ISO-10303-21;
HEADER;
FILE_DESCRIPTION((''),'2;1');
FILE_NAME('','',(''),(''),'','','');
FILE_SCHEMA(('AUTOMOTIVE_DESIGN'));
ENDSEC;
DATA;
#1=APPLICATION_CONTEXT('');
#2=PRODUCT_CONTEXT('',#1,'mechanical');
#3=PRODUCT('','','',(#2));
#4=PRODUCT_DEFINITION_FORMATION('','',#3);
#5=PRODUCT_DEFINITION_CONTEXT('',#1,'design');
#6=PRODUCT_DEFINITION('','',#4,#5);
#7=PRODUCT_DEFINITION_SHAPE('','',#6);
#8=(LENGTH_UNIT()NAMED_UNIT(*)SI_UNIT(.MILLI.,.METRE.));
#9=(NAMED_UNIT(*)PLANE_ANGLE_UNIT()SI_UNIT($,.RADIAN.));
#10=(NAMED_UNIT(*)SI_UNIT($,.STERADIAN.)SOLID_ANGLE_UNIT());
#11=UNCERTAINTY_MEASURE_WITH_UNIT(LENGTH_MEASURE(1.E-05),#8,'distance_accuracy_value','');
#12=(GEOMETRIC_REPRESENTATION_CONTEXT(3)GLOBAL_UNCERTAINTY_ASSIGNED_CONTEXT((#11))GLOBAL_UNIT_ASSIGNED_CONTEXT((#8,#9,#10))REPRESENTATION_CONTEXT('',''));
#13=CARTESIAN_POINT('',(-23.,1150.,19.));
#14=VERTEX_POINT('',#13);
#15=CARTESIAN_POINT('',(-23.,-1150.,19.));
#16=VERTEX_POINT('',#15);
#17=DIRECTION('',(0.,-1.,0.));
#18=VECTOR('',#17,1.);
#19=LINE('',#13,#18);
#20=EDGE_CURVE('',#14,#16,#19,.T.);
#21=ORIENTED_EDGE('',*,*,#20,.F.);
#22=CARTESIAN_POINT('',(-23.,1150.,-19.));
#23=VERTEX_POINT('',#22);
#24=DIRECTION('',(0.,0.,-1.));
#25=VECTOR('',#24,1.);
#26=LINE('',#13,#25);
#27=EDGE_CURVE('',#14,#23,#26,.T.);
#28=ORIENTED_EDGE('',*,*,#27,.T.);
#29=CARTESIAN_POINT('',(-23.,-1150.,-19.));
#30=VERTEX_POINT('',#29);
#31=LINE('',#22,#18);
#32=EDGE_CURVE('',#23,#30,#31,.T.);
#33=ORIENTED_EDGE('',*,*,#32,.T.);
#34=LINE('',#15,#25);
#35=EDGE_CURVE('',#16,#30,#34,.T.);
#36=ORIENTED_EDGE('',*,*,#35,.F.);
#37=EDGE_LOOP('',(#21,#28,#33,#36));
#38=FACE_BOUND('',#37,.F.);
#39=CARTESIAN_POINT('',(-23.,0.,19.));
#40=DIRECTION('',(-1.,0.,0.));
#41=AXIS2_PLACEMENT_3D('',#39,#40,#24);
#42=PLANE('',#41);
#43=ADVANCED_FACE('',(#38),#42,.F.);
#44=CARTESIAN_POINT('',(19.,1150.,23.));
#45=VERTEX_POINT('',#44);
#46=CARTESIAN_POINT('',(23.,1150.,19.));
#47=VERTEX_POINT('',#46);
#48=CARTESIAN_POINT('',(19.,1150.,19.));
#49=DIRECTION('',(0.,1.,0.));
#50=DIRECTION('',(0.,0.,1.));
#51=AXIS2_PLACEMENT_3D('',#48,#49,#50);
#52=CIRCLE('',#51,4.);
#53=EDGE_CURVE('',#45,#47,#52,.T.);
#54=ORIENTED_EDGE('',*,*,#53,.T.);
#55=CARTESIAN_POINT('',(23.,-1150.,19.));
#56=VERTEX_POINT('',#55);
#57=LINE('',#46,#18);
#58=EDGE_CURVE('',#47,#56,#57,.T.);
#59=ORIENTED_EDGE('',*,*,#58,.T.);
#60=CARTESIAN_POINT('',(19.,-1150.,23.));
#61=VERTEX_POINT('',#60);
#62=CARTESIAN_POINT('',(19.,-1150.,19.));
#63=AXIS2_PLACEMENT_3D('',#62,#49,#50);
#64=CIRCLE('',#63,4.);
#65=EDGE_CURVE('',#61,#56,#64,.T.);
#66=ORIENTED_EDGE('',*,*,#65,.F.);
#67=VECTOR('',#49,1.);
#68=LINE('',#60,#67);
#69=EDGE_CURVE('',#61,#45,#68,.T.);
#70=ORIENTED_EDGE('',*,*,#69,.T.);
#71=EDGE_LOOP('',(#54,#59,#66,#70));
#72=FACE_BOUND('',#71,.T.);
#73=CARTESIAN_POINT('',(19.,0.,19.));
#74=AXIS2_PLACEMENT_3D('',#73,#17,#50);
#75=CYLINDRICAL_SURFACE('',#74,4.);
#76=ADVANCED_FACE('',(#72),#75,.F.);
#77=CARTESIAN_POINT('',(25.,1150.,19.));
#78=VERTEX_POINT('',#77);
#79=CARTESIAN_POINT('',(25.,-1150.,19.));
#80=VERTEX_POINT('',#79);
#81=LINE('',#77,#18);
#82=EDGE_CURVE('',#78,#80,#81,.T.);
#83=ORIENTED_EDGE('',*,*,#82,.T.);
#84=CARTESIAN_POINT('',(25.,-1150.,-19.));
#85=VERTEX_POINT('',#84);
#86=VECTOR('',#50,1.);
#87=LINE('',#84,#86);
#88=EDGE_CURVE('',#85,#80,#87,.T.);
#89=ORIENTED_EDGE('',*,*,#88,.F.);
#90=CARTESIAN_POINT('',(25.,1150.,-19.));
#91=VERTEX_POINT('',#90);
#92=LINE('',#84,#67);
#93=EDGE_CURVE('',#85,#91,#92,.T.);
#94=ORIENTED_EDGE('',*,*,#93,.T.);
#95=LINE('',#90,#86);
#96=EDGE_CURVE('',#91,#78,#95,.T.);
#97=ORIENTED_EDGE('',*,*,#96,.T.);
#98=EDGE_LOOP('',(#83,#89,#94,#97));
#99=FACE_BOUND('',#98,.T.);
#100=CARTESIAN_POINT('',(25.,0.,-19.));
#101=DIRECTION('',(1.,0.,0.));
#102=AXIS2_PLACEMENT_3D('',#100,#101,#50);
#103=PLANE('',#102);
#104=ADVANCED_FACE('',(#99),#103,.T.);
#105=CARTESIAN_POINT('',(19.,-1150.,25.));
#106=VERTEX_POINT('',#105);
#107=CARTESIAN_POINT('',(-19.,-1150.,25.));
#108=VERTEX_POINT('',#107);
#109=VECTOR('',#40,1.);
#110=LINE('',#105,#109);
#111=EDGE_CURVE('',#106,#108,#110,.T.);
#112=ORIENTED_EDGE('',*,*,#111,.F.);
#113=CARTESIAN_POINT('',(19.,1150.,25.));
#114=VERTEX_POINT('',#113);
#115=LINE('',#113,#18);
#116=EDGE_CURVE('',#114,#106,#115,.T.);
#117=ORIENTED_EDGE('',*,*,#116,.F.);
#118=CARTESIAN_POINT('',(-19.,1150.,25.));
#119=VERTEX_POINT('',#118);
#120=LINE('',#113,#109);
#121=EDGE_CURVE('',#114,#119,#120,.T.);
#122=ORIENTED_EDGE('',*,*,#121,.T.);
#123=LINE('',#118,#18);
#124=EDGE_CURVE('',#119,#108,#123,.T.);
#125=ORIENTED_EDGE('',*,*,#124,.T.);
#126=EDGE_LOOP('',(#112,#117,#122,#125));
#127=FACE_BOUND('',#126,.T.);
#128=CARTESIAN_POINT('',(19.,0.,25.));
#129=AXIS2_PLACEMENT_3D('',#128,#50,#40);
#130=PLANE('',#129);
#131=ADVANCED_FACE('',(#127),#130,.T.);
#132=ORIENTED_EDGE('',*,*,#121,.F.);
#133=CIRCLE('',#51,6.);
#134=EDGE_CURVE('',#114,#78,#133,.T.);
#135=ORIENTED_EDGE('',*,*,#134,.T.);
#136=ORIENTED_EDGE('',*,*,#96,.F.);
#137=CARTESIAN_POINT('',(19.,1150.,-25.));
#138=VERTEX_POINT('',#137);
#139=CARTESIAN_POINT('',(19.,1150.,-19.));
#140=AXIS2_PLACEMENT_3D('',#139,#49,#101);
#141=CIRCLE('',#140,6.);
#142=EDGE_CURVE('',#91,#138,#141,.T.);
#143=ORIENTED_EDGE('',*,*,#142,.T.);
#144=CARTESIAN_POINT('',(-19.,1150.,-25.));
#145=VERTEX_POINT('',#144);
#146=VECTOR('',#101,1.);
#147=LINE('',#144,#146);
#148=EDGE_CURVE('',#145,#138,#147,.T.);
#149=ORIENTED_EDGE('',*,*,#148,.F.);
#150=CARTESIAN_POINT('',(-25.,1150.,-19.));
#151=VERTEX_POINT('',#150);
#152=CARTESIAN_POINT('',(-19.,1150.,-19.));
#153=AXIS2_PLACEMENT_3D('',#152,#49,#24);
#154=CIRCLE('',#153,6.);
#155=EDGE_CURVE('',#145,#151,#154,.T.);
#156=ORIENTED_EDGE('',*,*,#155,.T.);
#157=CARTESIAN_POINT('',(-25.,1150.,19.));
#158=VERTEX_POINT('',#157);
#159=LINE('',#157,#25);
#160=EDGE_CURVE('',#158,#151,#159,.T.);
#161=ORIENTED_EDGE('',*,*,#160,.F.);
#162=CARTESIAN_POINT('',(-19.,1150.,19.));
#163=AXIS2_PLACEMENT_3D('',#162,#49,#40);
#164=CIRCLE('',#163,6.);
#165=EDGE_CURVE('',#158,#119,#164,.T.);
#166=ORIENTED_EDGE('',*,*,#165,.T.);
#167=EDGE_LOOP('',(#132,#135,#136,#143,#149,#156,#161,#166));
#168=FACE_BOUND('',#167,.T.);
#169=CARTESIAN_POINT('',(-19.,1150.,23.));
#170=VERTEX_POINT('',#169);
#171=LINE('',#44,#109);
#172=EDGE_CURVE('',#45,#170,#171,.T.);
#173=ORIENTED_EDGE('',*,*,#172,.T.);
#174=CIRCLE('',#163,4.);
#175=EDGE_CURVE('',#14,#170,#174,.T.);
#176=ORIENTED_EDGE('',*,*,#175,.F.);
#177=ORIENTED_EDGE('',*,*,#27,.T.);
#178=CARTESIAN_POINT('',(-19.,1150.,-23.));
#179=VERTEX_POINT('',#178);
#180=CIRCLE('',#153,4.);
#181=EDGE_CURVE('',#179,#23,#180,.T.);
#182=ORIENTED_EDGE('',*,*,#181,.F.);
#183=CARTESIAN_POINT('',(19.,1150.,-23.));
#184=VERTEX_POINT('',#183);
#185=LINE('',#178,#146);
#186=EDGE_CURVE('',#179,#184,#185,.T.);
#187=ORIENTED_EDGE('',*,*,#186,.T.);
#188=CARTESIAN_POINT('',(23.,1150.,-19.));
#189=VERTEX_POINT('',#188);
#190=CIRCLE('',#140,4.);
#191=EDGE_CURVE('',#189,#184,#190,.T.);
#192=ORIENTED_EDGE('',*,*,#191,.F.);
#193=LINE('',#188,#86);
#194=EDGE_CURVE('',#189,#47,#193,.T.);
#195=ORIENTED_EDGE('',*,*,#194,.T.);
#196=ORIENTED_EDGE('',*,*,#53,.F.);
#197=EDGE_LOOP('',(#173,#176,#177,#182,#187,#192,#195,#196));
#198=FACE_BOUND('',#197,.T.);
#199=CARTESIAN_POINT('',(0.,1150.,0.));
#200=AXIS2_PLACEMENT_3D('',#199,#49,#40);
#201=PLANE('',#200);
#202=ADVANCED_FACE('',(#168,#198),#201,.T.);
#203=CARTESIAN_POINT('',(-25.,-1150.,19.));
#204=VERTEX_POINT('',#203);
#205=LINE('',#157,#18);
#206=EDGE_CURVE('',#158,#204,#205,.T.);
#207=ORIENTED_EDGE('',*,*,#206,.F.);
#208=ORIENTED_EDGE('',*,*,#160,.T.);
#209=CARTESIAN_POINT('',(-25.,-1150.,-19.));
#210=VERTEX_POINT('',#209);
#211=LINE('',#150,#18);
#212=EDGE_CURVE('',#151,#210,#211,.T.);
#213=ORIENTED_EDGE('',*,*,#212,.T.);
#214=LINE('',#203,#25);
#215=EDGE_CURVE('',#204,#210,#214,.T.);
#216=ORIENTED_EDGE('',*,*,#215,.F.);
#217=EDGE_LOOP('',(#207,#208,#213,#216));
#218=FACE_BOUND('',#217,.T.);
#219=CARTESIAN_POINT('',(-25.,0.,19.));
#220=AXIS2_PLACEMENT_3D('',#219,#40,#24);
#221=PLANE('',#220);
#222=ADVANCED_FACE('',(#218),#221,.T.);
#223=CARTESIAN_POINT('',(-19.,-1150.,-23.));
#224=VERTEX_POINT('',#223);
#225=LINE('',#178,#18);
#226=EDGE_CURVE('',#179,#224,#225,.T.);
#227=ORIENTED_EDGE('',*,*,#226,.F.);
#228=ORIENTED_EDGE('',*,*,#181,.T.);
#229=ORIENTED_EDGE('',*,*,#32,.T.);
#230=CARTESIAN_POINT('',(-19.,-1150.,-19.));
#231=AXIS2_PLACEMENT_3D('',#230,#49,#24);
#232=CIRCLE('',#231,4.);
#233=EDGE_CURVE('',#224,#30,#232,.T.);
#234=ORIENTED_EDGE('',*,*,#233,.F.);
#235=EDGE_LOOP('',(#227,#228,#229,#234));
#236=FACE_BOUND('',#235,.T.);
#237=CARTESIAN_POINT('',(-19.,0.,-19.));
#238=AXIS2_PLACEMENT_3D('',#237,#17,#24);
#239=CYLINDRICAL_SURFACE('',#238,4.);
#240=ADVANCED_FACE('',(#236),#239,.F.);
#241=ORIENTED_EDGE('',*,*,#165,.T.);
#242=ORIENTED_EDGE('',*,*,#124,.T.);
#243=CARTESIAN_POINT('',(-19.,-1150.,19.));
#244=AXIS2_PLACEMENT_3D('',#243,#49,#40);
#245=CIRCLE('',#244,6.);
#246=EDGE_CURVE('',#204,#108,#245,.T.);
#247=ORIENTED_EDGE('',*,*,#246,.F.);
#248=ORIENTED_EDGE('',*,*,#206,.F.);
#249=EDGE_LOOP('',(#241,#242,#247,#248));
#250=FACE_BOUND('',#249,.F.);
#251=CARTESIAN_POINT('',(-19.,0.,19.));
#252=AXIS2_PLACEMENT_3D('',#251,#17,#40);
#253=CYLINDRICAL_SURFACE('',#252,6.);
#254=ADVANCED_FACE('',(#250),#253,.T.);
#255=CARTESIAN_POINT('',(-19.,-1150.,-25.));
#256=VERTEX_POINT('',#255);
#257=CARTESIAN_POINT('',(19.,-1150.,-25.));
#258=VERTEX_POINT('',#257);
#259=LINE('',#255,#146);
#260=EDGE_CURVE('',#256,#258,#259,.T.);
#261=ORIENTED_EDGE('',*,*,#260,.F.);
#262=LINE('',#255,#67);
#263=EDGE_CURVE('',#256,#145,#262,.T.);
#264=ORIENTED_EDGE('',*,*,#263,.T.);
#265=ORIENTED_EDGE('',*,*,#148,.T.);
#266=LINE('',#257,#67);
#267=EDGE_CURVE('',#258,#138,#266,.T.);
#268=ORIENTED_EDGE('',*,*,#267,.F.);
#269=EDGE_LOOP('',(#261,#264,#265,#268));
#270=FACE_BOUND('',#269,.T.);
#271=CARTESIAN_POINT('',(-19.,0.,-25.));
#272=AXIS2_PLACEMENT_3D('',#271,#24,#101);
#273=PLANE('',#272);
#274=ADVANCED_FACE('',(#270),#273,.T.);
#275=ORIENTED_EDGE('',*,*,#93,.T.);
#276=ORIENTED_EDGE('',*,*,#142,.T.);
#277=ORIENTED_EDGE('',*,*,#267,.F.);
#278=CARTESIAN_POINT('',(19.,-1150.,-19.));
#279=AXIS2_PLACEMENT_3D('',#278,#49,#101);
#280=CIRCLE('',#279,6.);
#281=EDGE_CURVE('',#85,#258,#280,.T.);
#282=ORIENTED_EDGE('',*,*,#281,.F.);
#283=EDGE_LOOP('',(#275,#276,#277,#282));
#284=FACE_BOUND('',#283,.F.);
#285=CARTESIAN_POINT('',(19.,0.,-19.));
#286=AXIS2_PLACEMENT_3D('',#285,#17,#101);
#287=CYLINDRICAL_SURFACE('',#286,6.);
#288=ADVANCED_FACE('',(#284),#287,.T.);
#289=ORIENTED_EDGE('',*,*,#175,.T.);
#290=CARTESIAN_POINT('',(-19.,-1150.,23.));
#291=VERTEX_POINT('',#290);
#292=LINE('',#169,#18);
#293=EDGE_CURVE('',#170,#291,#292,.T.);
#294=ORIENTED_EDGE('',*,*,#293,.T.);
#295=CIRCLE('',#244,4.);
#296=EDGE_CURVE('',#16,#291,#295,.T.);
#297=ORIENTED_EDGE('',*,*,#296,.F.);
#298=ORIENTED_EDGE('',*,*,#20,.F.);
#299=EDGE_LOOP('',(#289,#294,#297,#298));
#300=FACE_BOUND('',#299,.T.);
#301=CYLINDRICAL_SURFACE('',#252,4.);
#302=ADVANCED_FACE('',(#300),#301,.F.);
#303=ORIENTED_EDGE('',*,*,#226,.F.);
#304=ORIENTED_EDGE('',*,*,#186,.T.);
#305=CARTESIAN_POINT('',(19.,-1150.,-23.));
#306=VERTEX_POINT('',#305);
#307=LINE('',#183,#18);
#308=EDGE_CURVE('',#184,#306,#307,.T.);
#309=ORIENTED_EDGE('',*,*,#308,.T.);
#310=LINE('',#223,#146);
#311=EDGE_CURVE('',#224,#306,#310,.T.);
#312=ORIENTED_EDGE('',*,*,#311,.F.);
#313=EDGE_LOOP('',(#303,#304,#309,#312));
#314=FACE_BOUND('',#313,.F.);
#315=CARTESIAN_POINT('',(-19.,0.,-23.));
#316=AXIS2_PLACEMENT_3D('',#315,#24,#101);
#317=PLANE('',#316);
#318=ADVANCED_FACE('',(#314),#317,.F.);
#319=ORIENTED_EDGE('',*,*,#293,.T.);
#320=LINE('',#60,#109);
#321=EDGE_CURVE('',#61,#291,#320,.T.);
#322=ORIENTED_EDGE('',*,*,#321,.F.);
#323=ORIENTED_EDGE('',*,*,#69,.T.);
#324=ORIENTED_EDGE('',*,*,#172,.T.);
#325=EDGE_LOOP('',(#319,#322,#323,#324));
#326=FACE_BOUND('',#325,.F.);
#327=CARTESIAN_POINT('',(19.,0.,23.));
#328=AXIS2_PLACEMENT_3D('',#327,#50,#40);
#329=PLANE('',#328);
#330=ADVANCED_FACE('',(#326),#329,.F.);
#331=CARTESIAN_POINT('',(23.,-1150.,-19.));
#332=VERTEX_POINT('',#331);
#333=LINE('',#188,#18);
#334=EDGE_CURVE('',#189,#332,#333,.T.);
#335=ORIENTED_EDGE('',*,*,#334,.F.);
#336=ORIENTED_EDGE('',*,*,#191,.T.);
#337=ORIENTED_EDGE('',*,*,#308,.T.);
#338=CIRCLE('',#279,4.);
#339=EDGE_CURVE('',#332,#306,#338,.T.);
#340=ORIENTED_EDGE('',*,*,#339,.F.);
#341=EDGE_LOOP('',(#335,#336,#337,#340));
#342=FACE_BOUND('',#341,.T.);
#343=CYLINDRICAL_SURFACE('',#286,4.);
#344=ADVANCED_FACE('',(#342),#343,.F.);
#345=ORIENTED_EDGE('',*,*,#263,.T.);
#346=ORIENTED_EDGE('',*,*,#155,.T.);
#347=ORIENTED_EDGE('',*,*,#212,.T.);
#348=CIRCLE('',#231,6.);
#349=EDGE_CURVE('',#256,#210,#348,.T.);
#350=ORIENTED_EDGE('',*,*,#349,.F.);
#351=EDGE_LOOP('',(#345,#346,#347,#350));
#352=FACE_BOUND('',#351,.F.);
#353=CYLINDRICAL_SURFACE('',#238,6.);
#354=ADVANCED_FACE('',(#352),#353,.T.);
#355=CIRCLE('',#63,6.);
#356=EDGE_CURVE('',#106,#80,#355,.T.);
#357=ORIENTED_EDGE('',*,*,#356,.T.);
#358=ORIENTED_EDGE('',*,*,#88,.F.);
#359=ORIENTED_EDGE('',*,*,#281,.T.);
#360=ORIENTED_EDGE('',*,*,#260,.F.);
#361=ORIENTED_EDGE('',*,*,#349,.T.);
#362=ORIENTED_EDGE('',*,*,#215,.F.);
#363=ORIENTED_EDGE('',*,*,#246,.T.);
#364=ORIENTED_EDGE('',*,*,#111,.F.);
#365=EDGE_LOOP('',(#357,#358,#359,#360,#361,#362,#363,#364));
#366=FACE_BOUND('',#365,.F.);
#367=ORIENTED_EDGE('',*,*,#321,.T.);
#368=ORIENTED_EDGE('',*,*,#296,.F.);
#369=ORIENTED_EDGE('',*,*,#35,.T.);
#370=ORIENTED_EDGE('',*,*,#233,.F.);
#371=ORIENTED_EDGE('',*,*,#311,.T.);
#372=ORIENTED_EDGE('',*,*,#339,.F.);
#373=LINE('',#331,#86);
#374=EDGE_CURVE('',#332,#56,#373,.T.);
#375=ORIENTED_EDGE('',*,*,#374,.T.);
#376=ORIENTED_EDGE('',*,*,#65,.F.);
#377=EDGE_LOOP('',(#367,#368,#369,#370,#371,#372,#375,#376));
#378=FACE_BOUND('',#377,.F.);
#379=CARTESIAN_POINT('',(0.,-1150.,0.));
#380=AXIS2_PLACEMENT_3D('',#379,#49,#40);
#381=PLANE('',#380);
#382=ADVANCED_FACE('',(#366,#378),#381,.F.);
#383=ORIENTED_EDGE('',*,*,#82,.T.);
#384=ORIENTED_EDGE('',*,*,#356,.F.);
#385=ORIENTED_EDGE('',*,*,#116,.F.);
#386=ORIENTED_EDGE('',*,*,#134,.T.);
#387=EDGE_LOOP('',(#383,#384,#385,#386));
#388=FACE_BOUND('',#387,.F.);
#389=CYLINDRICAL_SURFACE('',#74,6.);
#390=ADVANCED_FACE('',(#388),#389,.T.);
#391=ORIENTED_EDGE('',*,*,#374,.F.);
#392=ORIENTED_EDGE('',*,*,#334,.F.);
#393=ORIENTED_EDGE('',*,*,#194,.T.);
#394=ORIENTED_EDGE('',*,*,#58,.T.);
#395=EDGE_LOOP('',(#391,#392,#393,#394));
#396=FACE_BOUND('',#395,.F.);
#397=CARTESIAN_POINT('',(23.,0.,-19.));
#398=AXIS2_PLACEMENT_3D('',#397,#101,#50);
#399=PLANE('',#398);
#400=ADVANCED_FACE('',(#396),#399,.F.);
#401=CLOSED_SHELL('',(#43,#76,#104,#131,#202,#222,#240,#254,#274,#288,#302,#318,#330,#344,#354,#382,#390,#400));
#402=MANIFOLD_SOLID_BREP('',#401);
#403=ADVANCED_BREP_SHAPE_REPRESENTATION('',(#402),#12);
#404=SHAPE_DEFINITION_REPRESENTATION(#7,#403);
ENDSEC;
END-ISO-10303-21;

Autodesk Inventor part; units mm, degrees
ref_plane "YZ Plane" through (0, 0, 0) normal (1, 0, 0) x (0, 1, 0)
ref_plane "XZ Plane" through (0, 0, 0) normal (0, 1, 0) x (-1, 0, 0)
ref_plane "XY Plane" through (0, 0, 0) normal (0, 0, 1) x (1, 0, 0)
sketch "Sketch1" plane through (0, 0, 0) normal (0, 1, 0) x (-1, 0, 0)
  line L0 (-25, -19) -> (-25, 19)
  line L1 (-19, 25) -> (19, 25)
  line L2 (25, 19) -> (25, -19)
  line L3 (19, -25) -> (-19, -25)
  arc A0 (-25, -19) -> (-19, -25) centre (-19, -19) ccw
  arc A1 (25, 19) -> (19, 25) centre (19, 19) ccw
  arc A2 (-19, 25) -> (-25, 19) centre (-19, 19) ccw
  arc A3 (19, -25) -> (25, -19) centre (19, -19) ccw
  arc A4 (-19, 23) -> (-23, 19) centre (-19, 19) ccw
  line L4 (-19, 23) -> (19, 23)
  arc A5 (23, 19) -> (19, 23) centre (19, 19) ccw
  line L5 (23, 19) -> (23, -19)
  arc A6 (19, -23) -> (23, -19) centre (19, -19) ccw
  line L6 (19, -23) -> (-19, -23)
  arc A7 (-23, -19) -> (-19, -23) centre (-19, -19) ccw
  line L7 (-23, -19) -> (-23, 19)
  line L8 (0, 25) -> (0, -25) construction
  point P0 (0, 0)
  point P1 (0, 0)
  dimension "d0" = 6
  dimension "d1" = 50
  dimension "d2" = 50
  dimension "d3" = 2
extrude "Extrusion1" add sketch "Sketch1" along normal mid plane 2300
equation "\"d6\" = 6"
equation "\"d9\" = 3"
properties part number "BSH 075 tube 5" material "Steel"
